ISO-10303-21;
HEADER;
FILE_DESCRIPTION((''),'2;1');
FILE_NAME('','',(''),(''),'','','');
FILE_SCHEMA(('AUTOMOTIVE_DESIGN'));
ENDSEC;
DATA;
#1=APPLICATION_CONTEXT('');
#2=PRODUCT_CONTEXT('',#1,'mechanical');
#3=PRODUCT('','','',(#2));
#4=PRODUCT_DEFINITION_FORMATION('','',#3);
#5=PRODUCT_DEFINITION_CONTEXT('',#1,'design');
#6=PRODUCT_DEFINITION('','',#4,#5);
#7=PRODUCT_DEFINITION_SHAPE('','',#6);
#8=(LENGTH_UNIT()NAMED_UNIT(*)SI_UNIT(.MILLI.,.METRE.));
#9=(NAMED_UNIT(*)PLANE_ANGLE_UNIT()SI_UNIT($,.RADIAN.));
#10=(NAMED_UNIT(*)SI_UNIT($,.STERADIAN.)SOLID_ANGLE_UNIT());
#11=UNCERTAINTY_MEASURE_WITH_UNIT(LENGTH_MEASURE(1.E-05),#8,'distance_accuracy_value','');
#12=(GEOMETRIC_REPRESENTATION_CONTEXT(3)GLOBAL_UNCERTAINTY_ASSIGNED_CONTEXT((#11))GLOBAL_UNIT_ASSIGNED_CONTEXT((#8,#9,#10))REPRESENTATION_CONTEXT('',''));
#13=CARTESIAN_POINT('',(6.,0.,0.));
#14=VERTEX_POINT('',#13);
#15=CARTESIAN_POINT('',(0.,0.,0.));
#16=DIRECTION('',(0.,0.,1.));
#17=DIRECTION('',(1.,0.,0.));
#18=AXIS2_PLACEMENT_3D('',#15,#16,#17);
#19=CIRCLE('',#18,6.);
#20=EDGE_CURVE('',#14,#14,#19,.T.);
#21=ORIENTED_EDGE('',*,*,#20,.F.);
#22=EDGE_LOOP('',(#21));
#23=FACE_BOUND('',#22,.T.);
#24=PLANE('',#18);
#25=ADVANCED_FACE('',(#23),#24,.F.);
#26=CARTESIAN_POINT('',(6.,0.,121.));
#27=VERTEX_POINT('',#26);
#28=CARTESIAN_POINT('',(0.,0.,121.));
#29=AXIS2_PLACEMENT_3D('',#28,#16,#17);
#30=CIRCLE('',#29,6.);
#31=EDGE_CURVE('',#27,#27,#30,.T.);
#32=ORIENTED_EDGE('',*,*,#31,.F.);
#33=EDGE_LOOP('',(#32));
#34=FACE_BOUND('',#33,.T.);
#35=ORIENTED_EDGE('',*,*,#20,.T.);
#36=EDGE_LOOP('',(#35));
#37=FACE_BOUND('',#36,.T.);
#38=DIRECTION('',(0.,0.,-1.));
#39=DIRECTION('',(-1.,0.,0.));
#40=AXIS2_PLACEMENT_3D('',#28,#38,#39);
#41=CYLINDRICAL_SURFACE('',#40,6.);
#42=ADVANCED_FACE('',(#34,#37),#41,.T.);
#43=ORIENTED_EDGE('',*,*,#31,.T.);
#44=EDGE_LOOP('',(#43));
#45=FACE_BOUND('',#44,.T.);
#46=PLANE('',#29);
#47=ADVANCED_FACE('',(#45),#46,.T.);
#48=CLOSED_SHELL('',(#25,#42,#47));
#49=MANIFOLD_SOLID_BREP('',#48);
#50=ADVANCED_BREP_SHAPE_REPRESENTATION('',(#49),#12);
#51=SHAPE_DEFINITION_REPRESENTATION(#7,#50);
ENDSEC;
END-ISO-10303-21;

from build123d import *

# Parameters (mm, degrees)
SKIZZE1_R                       = 6
AUFSATZ_LINEAR_AUSTRAGEN1_DEPTH = 121


with BuildPart() as part:
    # Skizze1 → Aufsatz-Linear austragen1 (new body)
    with BuildSketch(Plane.XY):
        Circle(SKIZZE1_R)
    extrude(amount=AUFSATZ_LINEAR_AUSTRAGEN1_DEPTH)


solid = part.part
